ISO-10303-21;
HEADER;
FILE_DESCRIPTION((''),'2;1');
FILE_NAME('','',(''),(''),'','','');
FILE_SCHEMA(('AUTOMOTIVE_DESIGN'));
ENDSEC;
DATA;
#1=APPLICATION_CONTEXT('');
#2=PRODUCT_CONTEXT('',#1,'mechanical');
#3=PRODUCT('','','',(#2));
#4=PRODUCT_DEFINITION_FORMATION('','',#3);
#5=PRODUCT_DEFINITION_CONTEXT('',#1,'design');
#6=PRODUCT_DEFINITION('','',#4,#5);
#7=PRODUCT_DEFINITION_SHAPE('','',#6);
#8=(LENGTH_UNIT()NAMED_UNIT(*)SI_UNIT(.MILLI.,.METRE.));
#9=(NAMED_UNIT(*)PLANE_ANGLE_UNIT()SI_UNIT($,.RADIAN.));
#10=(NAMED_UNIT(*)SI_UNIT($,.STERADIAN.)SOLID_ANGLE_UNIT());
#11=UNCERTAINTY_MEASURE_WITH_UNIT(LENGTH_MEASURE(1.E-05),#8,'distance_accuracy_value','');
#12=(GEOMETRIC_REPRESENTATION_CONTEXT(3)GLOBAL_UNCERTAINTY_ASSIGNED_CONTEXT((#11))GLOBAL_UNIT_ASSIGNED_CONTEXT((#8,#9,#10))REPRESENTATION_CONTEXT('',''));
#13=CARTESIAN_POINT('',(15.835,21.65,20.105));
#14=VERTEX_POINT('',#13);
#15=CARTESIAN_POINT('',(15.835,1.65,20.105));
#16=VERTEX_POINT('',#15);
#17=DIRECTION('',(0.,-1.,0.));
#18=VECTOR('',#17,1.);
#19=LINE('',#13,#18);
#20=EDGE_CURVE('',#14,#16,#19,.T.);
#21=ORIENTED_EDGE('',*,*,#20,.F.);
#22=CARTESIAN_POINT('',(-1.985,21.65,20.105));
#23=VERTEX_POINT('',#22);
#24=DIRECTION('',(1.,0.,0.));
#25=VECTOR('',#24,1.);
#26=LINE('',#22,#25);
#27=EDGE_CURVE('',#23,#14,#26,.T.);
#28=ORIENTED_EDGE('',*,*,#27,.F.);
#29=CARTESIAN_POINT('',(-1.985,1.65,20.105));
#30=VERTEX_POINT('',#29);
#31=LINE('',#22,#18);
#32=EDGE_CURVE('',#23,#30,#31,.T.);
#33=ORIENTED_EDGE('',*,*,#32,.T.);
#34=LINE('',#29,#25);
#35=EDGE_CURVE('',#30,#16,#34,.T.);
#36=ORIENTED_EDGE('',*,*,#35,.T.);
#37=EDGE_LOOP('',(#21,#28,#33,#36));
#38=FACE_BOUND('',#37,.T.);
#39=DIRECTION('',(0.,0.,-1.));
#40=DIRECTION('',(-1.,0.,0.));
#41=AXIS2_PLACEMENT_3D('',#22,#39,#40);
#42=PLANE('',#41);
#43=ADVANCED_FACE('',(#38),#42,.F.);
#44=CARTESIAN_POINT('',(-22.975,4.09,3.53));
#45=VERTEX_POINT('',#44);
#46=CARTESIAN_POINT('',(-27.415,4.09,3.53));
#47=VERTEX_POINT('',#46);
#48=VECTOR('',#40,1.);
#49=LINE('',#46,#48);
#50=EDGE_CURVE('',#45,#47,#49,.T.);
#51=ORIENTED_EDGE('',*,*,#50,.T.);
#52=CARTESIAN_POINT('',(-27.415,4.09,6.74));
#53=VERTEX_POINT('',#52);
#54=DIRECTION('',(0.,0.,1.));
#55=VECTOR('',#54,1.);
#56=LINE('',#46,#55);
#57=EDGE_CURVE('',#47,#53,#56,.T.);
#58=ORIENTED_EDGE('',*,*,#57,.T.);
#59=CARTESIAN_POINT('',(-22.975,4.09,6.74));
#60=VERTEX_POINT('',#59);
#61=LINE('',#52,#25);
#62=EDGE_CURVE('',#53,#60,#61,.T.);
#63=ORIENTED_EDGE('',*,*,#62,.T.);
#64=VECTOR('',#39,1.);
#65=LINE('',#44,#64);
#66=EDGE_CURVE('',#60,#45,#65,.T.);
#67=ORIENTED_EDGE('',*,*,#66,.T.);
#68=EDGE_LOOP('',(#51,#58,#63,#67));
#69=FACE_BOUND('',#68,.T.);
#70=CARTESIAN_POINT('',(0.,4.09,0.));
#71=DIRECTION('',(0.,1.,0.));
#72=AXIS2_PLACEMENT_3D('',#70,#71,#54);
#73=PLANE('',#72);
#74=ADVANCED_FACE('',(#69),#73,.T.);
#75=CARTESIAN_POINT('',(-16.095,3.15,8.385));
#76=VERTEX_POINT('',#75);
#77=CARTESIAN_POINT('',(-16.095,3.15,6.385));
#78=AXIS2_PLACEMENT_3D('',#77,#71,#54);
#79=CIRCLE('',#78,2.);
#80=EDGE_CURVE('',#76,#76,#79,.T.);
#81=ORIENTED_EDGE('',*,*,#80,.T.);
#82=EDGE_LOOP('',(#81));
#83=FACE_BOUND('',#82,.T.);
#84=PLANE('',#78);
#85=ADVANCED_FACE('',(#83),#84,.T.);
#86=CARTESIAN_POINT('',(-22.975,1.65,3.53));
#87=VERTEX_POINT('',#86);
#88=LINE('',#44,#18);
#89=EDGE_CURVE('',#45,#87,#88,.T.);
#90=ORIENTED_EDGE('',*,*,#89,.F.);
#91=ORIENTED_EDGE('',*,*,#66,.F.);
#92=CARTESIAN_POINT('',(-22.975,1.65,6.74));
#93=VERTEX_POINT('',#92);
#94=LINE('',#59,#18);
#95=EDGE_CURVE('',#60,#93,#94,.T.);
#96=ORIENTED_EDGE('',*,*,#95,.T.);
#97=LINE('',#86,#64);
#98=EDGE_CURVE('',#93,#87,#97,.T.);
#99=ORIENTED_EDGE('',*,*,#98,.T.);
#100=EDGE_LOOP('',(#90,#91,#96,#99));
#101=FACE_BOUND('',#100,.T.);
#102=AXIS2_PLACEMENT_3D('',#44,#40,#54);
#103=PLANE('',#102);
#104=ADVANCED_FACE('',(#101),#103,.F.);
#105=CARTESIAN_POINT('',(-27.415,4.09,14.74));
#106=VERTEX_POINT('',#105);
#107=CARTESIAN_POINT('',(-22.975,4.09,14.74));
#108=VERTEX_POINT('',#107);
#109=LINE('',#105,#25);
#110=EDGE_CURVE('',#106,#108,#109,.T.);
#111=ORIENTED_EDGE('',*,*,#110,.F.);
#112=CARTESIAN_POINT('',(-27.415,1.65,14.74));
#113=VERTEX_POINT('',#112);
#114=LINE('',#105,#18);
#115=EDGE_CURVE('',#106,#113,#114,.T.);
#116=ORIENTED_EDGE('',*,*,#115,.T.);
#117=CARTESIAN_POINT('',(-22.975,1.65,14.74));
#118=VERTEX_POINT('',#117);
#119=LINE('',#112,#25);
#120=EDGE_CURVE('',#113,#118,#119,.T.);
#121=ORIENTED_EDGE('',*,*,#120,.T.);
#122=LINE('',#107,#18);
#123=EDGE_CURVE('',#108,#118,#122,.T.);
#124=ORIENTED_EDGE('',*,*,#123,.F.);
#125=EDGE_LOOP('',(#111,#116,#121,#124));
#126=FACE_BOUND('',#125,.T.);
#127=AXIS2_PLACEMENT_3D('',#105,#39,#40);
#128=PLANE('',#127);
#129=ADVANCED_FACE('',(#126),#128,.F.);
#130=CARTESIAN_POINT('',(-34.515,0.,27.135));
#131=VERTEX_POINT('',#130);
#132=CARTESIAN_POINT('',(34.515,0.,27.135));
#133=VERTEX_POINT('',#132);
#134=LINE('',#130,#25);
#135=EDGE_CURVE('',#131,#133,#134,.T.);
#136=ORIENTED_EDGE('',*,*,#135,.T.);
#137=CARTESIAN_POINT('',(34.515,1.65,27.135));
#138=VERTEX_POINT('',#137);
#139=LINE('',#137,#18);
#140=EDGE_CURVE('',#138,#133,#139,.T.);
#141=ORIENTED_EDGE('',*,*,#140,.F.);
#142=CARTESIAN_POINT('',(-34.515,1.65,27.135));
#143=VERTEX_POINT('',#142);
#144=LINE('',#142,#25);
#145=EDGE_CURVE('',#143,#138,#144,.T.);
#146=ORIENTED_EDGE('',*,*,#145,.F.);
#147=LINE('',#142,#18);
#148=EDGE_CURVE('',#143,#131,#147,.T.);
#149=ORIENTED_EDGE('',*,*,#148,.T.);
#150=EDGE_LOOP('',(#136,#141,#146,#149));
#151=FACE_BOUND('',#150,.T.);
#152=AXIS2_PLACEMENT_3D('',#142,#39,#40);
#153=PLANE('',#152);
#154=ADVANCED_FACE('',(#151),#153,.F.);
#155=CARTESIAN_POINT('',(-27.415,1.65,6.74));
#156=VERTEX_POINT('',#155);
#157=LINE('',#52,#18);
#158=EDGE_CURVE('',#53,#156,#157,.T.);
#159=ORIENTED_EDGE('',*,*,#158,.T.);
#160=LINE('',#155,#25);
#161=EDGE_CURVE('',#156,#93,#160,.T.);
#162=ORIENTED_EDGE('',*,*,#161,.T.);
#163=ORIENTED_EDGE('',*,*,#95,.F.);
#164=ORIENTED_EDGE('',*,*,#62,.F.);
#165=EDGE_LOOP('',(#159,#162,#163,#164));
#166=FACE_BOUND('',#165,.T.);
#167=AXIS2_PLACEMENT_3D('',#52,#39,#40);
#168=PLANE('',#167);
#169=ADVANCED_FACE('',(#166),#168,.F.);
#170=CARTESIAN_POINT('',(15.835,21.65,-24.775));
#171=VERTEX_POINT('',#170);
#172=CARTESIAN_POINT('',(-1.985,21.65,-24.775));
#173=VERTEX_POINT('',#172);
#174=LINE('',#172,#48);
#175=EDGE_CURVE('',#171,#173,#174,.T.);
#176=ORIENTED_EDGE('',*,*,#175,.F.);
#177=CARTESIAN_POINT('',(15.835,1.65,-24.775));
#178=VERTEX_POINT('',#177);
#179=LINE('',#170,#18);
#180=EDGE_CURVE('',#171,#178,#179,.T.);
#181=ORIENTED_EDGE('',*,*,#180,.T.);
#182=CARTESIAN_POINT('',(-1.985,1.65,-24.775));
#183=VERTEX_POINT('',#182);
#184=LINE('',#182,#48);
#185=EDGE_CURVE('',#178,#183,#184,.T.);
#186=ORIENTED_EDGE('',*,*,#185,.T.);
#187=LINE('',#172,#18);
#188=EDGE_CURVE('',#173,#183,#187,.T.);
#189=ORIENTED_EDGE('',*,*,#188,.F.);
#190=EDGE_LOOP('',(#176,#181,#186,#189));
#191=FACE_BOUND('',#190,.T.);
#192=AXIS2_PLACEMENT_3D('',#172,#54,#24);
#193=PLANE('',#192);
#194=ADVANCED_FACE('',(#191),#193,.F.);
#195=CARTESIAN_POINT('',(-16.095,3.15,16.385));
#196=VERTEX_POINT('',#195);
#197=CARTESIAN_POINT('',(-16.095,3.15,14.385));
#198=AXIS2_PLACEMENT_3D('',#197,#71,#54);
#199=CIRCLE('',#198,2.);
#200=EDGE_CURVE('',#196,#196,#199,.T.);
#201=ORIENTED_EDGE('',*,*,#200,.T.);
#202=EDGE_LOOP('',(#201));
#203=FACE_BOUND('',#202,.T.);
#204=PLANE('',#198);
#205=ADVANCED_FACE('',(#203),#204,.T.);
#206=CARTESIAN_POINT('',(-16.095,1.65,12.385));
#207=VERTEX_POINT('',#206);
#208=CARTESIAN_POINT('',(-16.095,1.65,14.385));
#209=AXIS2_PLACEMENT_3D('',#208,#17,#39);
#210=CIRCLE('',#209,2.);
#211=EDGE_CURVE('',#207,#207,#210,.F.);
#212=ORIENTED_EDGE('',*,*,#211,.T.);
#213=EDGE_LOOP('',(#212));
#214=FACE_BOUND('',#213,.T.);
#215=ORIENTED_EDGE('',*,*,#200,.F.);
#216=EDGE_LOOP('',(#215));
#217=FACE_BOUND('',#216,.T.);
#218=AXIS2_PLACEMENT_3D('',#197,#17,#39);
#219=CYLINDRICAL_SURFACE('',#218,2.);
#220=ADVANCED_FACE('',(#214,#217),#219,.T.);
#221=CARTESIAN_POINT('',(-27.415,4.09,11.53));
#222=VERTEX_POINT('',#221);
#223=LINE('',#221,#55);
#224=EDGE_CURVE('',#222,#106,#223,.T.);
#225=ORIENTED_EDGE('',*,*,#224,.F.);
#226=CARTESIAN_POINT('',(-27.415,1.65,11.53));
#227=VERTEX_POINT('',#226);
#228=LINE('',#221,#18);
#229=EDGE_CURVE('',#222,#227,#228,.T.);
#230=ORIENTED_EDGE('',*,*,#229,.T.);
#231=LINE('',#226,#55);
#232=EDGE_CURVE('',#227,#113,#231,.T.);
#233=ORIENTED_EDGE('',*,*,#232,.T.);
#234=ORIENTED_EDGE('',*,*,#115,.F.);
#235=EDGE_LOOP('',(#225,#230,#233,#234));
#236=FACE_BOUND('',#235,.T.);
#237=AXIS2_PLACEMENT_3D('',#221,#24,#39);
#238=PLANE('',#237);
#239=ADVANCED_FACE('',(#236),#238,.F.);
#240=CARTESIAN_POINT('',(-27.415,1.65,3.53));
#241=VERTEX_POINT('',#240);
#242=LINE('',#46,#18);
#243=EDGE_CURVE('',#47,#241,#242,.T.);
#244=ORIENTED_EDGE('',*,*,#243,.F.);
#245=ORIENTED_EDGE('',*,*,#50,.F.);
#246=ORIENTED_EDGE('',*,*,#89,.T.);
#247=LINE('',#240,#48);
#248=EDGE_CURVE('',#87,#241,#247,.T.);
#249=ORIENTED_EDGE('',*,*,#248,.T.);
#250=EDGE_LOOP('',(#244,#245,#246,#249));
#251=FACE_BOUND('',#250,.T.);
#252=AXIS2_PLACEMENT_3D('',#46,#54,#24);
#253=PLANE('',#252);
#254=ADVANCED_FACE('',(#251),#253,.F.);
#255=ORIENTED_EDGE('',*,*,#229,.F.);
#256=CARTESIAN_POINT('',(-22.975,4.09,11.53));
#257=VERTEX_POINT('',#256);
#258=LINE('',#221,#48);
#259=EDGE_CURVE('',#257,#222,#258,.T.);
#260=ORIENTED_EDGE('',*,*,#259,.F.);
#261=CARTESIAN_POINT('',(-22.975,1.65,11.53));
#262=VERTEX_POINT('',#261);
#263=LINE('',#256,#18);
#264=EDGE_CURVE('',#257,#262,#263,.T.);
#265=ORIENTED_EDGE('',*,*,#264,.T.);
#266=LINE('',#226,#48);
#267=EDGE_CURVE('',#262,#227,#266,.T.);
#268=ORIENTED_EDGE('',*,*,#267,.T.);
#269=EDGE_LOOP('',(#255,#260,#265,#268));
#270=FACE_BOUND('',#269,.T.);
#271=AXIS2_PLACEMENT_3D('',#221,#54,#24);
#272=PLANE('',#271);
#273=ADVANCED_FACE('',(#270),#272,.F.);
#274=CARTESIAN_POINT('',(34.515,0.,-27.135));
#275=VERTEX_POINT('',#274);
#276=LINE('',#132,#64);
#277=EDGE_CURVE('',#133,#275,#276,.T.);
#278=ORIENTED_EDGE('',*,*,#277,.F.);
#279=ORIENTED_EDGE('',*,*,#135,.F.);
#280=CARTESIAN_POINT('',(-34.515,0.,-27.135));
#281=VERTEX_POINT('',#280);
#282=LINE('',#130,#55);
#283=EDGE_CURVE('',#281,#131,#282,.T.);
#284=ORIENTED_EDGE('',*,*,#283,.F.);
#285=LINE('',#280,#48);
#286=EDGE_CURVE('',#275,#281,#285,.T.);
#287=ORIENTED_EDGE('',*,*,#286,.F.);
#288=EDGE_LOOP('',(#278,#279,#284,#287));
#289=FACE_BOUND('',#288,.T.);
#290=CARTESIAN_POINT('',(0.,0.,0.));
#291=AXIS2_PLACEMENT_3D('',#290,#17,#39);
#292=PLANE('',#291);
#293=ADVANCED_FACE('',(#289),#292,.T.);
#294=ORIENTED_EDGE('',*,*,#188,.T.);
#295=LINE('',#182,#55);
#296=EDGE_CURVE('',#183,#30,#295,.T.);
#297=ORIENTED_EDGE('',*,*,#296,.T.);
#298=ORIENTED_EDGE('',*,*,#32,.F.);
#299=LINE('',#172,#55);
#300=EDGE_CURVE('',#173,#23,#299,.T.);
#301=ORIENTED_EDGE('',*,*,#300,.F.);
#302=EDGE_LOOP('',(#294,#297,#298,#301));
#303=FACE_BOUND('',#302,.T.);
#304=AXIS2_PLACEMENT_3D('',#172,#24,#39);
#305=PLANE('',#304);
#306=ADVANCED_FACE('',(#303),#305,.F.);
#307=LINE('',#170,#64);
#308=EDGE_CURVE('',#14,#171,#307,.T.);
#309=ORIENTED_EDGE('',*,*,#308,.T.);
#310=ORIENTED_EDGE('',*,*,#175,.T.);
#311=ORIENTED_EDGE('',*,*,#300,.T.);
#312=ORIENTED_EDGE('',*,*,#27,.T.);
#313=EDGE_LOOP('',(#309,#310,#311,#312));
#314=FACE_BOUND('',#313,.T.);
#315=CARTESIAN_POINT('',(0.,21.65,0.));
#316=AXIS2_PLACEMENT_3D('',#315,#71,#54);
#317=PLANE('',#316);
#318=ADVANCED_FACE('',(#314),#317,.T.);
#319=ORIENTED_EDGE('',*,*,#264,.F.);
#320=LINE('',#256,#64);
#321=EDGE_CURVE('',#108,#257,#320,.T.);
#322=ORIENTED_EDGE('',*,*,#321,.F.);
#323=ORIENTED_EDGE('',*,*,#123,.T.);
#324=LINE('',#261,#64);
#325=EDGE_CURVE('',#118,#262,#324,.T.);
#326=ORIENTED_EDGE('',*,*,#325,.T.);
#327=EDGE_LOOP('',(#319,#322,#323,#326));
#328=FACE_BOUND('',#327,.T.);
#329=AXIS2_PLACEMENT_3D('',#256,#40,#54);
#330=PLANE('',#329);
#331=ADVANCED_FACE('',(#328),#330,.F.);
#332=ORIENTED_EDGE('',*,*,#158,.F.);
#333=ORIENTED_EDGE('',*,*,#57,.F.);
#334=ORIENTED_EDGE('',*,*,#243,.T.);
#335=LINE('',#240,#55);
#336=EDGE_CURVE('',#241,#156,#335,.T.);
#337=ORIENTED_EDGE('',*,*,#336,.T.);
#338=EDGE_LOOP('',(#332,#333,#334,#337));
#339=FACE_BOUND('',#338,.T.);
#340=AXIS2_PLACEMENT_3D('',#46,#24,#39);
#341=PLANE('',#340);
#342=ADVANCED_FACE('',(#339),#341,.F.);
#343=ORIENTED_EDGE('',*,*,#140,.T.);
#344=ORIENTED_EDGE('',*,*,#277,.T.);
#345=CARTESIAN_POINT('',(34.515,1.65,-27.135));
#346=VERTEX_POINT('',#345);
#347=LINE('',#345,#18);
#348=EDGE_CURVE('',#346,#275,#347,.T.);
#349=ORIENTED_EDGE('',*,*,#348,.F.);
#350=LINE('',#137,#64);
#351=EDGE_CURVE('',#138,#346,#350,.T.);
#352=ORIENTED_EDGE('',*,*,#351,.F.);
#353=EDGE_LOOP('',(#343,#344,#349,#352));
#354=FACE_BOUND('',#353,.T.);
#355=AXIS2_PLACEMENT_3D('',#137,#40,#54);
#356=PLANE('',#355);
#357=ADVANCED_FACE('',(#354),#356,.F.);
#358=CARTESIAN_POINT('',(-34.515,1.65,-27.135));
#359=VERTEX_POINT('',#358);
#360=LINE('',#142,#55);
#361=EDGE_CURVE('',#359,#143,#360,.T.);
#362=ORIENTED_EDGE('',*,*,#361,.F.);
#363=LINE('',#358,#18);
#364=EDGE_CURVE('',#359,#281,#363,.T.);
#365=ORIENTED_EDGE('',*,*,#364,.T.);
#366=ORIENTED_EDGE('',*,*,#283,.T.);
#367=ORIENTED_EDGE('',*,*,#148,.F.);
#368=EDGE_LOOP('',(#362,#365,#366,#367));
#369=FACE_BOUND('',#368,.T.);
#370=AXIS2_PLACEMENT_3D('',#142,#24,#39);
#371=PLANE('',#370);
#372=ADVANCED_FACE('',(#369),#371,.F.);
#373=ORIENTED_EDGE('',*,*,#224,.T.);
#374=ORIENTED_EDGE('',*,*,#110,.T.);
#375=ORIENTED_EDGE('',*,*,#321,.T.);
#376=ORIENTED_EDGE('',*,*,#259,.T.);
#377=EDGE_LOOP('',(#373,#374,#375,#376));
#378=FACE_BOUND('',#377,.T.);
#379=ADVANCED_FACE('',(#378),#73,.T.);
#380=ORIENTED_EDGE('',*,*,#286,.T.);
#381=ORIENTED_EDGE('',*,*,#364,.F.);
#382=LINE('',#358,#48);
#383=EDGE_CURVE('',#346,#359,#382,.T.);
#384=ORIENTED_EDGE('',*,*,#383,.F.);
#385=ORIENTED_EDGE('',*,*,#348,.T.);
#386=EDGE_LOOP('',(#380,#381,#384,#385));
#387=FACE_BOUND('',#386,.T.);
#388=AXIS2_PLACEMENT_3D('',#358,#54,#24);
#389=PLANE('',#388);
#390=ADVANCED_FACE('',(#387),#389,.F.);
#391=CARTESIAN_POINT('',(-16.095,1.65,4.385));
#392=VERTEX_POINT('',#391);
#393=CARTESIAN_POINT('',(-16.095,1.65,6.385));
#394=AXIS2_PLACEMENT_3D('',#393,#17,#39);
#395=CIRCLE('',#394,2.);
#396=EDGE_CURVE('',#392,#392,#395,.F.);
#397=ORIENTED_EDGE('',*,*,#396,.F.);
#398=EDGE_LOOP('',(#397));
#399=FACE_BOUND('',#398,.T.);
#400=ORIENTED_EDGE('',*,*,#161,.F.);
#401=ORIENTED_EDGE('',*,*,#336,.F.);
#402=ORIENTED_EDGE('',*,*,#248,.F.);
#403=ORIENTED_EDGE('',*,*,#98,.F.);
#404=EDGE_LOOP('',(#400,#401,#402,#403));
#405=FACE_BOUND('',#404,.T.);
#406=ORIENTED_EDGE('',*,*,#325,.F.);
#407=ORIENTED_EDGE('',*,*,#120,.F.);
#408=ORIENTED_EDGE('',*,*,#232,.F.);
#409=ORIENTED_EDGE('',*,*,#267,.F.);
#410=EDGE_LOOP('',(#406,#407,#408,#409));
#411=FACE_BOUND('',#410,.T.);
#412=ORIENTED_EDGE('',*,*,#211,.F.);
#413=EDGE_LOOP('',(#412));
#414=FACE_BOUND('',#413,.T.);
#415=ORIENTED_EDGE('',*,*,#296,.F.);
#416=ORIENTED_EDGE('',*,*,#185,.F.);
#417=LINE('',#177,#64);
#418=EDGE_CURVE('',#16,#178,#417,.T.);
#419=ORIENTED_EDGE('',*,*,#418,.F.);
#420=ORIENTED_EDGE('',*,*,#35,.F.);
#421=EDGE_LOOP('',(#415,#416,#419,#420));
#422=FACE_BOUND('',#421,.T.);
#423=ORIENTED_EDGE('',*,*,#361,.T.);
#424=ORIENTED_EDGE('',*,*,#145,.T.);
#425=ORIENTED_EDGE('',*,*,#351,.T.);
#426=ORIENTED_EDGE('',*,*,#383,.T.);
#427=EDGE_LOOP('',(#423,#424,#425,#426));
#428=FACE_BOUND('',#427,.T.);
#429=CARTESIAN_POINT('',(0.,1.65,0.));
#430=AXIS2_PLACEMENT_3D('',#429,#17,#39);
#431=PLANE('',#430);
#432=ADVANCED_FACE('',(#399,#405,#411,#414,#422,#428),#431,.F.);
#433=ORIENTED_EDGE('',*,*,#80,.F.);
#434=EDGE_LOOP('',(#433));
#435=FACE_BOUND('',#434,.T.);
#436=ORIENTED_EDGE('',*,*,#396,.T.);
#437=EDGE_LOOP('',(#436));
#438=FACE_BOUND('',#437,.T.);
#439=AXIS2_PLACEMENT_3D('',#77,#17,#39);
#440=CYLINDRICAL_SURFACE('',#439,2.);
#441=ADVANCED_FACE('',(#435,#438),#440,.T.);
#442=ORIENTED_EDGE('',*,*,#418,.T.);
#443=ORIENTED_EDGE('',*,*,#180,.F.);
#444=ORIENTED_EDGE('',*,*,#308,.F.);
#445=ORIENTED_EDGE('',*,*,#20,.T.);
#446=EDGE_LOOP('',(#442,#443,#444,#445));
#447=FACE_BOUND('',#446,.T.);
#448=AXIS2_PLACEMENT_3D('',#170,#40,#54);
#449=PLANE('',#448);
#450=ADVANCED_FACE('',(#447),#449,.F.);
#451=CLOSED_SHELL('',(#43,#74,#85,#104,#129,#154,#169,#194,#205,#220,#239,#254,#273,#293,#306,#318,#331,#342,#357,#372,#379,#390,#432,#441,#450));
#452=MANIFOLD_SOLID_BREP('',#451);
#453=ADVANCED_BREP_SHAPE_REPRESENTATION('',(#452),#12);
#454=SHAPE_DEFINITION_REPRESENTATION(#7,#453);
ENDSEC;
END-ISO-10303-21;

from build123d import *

# Parameters (mm, degrees)
SKETCH1_W           = 69.03
SKETCH1_H           = 54.27
BOSS_EXTRUDE1_DEPTH = 1.65
SKETCH2_R           = 2
BOSS_EXTRUDE2_DEPTH = 1.5
SKETCH3_W           = 4.44
SKETCH3_H           = 3.21
BOSS_EXTRUDE3_DEPTH = 2.44
SKETCH4_W           = 17.82
SKETCH4_H           = 44.88
BOSS_EXTRUDE4_DEPTH = 20


with BuildPart() as part:
    # Sketch1 → Boss-Extrude1 (new body)
    with BuildSketch(Plane(origin=(0, 0, 0), x_dir=(1, 0, 0), z_dir=(0, 1, 0))):
        Rectangle(SKETCH1_W, SKETCH1_H)
    extrude(amount=BOSS_EXTRUDE1_DEPTH)

    # Sketch2 → Boss-Extrude2 (add)
    with BuildSketch(Plane(origin=(0, 1.65, 0), x_dir=(1, 0, 0), z_dir=(0, 1, 0))):
        with Locations(Location((-16.095, -14.385, 0), (0, 0, 90))):
            Circle(SKETCH2_R)
        with Locations(Location((-16.095, -6.385, 0), (0, 0, 90))):
            Circle(SKETCH2_R)
    extrude(amount=BOSS_EXTRUDE2_DEPTH)

    # Sketch3 → Boss-Extrude3 (add)
    with BuildSketch(Plane(origin=(0, 1.65, 0), x_dir=(1, 0, 0), z_dir=(0, 1, 0))):
        with Locations((-25.195, -13.135)):
            Rectangle(SKETCH3_W, SKETCH3_H)
        with Locations((-25.195, -5.135)):
            Rectangle(SKETCH3_W, SKETCH3_H)
    extrude(amount=BOSS_EXTRUDE3_DEPTH)

    # Sketch4 → Boss-Extrude4 (add)
    with BuildSketch(Plane(origin=(0, 1.65, 0), x_dir=(1, 0, 0), z_dir=(0, 1, 0))):
        with Locations((6.925, 2.335)):
            Rectangle(SKETCH4_W, SKETCH4_H)
    extrude(amount=BOSS_EXTRUDE4_DEPTH)


solid = part.part
